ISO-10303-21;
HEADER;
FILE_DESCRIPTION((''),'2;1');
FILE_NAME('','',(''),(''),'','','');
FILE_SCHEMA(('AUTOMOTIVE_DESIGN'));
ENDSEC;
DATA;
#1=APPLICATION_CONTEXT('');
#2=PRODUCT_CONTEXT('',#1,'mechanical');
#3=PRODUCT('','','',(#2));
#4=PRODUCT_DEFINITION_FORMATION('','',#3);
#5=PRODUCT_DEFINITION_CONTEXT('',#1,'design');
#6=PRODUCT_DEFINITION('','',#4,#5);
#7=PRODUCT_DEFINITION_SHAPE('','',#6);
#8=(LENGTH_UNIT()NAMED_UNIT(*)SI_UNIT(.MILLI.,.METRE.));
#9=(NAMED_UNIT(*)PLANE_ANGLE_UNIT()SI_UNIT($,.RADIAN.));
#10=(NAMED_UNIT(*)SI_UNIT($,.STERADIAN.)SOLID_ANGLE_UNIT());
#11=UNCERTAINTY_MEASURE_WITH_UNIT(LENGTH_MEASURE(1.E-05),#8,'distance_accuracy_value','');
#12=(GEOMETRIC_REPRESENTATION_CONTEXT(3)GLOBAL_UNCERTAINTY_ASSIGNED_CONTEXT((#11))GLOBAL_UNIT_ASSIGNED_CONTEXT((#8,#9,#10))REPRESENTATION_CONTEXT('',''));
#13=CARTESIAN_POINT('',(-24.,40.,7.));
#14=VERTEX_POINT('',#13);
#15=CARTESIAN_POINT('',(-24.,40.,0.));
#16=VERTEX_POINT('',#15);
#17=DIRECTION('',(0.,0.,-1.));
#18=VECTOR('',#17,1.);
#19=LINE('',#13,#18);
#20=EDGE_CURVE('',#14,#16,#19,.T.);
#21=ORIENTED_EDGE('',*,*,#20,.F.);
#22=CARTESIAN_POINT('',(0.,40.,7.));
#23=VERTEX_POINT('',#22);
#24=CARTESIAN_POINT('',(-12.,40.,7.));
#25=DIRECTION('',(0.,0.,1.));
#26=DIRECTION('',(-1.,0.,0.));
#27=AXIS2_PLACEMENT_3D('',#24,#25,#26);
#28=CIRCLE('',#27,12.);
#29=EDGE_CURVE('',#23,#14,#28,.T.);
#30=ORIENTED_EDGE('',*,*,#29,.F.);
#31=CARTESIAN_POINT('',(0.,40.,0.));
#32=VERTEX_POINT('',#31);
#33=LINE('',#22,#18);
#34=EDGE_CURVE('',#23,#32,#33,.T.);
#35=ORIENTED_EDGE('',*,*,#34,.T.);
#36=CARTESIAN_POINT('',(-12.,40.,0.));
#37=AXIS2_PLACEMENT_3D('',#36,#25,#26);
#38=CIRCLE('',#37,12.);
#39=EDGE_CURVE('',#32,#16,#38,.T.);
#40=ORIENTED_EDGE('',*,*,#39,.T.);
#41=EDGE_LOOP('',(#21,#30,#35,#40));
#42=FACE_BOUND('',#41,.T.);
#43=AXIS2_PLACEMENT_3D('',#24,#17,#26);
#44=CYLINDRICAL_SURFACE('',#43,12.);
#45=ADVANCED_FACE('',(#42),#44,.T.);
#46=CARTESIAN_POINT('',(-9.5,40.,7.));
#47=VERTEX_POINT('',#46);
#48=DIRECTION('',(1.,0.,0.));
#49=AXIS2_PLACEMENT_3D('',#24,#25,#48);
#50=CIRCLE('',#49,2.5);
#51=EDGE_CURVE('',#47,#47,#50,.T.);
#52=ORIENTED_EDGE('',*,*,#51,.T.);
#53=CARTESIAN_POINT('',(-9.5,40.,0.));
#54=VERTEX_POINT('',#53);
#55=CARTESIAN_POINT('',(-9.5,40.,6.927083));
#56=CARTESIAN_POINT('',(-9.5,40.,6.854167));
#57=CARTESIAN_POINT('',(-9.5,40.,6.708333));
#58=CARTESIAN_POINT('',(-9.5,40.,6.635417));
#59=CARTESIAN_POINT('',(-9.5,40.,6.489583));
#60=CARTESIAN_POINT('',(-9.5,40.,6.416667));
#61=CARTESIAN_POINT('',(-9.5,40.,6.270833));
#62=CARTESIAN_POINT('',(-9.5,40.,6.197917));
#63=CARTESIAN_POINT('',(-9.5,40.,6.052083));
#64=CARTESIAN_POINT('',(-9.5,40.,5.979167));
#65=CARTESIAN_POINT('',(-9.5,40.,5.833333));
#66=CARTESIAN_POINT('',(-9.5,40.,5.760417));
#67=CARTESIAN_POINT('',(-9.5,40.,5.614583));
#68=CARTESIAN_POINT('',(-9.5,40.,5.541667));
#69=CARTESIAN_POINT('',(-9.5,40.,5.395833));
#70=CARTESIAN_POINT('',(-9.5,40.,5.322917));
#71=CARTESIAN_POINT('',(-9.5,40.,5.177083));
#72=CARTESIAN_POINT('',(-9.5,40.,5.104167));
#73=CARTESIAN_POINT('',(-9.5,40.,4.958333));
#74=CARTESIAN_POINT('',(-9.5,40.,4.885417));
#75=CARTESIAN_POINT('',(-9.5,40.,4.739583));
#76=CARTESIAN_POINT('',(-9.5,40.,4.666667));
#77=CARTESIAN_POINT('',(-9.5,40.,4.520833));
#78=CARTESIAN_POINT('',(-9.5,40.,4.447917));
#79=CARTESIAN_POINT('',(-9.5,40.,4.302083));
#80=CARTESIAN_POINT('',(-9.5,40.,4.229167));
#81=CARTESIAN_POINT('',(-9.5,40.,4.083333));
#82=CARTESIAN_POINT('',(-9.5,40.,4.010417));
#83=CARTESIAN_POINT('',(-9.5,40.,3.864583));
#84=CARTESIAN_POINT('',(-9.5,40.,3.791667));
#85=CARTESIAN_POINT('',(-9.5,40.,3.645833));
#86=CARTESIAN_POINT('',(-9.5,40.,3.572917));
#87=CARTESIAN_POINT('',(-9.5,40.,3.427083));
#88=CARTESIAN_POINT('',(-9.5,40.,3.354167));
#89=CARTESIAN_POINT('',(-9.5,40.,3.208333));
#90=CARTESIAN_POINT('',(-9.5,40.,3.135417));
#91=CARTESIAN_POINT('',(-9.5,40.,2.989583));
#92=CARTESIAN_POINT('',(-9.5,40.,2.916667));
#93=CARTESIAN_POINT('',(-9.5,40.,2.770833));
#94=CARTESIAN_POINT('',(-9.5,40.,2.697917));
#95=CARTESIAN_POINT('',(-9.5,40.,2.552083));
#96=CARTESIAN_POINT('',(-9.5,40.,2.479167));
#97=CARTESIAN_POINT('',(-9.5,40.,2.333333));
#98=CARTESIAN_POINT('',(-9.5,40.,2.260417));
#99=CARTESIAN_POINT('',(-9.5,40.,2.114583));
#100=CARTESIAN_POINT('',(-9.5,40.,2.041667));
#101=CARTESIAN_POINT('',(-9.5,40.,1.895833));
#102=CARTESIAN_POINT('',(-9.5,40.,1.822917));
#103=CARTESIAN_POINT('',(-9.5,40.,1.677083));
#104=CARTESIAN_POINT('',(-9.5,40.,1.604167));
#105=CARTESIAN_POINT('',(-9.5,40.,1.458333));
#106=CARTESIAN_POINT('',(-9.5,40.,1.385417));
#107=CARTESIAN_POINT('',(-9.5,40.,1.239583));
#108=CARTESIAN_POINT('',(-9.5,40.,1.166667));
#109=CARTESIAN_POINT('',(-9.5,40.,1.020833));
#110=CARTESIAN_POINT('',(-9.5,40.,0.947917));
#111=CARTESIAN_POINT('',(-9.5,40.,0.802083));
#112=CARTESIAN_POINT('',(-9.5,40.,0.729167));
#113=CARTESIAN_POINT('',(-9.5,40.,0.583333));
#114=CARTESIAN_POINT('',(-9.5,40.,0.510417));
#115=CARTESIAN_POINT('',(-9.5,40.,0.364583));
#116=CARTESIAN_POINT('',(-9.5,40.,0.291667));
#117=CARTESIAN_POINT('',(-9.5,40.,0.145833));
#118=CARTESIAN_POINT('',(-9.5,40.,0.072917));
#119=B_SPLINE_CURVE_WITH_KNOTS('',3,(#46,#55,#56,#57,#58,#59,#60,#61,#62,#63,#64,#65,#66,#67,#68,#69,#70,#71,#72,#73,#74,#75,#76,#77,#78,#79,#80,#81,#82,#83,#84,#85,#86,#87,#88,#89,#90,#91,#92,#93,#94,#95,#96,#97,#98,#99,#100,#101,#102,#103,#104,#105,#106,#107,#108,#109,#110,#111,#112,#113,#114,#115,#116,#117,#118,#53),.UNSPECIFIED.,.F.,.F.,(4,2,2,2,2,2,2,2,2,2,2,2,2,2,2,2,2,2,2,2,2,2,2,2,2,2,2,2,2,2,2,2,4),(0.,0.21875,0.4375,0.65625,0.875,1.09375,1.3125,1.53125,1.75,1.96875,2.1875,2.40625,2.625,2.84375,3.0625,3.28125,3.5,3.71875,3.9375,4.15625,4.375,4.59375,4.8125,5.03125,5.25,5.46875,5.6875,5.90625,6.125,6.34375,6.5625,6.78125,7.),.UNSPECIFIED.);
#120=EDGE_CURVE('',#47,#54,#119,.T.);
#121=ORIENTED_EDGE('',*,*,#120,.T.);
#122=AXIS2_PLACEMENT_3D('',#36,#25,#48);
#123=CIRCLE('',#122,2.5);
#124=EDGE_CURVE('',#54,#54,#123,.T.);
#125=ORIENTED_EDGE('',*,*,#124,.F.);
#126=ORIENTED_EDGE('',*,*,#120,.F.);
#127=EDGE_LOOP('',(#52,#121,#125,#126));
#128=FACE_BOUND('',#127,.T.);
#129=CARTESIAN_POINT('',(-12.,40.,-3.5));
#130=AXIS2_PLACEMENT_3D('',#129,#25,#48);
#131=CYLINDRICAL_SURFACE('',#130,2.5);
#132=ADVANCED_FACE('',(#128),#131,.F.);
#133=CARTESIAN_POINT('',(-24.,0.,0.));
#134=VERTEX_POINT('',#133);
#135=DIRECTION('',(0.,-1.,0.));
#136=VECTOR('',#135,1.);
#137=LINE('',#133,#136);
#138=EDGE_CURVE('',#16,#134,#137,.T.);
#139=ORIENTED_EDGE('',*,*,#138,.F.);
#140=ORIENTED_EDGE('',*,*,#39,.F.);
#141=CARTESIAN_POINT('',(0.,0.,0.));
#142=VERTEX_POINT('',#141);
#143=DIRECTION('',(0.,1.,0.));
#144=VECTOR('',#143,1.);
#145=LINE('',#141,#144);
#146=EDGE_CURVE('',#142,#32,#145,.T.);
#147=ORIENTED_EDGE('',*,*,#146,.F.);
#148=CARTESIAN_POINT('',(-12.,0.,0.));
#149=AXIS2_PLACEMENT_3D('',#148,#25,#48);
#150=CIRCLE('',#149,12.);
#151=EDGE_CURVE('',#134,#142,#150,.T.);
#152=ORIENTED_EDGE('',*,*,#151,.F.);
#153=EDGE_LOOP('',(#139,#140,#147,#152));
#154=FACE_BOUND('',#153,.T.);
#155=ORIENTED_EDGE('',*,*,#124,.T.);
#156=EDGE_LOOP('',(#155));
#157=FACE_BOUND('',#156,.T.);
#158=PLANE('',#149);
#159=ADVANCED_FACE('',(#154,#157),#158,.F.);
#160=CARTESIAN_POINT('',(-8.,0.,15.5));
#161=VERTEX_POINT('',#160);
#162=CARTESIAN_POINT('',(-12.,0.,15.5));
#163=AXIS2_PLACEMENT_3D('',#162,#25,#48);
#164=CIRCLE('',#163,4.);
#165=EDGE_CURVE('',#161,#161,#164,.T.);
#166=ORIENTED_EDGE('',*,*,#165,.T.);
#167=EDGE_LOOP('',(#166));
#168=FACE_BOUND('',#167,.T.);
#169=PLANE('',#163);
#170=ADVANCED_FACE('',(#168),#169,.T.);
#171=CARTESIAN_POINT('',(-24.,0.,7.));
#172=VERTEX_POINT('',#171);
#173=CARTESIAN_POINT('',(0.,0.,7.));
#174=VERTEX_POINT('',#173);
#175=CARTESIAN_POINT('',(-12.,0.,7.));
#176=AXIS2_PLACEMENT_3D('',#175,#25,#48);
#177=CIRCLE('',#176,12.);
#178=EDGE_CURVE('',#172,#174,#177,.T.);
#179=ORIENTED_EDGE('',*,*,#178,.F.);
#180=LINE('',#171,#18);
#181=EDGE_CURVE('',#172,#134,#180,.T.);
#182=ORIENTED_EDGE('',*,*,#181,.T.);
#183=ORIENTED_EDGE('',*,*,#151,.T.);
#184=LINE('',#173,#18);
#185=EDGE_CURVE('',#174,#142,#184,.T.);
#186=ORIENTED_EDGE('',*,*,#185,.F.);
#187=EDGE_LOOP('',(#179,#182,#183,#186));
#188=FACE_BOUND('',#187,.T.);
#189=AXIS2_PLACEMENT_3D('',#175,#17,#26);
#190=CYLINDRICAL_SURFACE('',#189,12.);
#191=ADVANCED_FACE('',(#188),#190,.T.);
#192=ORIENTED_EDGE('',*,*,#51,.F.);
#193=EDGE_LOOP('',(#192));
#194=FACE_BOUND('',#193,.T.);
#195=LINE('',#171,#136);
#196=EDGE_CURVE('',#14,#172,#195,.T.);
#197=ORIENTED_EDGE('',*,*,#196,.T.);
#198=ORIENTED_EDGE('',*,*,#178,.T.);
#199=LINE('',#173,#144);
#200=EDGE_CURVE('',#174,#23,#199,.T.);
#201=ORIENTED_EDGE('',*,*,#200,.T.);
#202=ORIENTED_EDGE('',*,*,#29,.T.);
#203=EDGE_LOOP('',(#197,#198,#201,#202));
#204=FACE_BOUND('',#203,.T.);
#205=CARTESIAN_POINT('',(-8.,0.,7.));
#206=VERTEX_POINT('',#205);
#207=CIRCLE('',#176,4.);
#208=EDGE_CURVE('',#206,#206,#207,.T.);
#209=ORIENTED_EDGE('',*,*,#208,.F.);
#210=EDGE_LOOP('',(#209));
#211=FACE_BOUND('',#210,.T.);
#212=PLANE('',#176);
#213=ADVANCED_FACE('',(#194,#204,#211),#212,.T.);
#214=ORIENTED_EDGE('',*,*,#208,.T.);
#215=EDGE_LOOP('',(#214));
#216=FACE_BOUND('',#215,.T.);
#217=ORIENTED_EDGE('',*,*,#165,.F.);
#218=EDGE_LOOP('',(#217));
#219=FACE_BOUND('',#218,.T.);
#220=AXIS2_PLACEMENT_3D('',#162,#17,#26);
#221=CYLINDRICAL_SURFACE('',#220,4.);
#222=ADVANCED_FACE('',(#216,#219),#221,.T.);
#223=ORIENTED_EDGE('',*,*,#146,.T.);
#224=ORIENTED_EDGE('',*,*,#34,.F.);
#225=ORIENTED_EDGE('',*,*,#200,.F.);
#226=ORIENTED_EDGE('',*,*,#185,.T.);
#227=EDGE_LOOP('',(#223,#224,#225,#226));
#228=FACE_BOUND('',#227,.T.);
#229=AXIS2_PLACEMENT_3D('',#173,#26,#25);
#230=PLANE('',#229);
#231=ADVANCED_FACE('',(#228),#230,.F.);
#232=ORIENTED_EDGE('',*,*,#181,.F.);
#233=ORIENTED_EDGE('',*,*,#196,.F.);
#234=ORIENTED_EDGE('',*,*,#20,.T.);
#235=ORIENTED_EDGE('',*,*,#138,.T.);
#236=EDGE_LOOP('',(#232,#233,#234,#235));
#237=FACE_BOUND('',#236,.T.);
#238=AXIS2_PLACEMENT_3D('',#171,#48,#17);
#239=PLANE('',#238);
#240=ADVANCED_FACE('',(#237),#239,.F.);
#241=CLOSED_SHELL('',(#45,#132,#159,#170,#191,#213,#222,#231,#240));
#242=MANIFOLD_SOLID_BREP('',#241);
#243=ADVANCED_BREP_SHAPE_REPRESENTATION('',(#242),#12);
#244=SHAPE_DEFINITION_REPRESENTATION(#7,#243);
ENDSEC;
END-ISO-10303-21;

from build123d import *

# Parameters (mm, degrees)
BOSS_EXTRUDE1_DEPTH = 7
SKETCH2_R           = 4
BOSS_EXTRUDE2_DEPTH = 8.5
SKETCH3_R           = 2.5
CUT_EXTRUDE1_DEPTH  = 10.5


with BuildPart() as part:
    # Sketch1 → Boss-Extrude1 (new body)
    with BuildSketch(Plane.XY):
        with BuildLine():
            Line((0, 0), (0, 40))
            ThreePointArc((0, 40), (-12, 52), (-24, 40))
            Line((-24, 40), (-24, 0))
            ThreePointArc((-24, 0), (-12, -12), (0, 0))
        make_face()
    extrude(amount=BOSS_EXTRUDE1_DEPTH)

    # Sketch2 → Boss-Extrude2 (add)
    with BuildSketch(Plane.XY.offset(7)):
        with Locations((-12, 0)):
            Circle(SKETCH2_R)
    extrude(amount=BOSS_EXTRUDE2_DEPTH)

    # Sketch3 → Cut-Extrude1 (cut)
    with BuildSketch(Plane.XY.offset(7)):
        with Locations((-12, 40)):
            Circle(SKETCH3_R)
    extrude(amount=-CUT_EXTRUDE1_DEPTH, mode=Mode.SUBTRACT)


solid = part.part
